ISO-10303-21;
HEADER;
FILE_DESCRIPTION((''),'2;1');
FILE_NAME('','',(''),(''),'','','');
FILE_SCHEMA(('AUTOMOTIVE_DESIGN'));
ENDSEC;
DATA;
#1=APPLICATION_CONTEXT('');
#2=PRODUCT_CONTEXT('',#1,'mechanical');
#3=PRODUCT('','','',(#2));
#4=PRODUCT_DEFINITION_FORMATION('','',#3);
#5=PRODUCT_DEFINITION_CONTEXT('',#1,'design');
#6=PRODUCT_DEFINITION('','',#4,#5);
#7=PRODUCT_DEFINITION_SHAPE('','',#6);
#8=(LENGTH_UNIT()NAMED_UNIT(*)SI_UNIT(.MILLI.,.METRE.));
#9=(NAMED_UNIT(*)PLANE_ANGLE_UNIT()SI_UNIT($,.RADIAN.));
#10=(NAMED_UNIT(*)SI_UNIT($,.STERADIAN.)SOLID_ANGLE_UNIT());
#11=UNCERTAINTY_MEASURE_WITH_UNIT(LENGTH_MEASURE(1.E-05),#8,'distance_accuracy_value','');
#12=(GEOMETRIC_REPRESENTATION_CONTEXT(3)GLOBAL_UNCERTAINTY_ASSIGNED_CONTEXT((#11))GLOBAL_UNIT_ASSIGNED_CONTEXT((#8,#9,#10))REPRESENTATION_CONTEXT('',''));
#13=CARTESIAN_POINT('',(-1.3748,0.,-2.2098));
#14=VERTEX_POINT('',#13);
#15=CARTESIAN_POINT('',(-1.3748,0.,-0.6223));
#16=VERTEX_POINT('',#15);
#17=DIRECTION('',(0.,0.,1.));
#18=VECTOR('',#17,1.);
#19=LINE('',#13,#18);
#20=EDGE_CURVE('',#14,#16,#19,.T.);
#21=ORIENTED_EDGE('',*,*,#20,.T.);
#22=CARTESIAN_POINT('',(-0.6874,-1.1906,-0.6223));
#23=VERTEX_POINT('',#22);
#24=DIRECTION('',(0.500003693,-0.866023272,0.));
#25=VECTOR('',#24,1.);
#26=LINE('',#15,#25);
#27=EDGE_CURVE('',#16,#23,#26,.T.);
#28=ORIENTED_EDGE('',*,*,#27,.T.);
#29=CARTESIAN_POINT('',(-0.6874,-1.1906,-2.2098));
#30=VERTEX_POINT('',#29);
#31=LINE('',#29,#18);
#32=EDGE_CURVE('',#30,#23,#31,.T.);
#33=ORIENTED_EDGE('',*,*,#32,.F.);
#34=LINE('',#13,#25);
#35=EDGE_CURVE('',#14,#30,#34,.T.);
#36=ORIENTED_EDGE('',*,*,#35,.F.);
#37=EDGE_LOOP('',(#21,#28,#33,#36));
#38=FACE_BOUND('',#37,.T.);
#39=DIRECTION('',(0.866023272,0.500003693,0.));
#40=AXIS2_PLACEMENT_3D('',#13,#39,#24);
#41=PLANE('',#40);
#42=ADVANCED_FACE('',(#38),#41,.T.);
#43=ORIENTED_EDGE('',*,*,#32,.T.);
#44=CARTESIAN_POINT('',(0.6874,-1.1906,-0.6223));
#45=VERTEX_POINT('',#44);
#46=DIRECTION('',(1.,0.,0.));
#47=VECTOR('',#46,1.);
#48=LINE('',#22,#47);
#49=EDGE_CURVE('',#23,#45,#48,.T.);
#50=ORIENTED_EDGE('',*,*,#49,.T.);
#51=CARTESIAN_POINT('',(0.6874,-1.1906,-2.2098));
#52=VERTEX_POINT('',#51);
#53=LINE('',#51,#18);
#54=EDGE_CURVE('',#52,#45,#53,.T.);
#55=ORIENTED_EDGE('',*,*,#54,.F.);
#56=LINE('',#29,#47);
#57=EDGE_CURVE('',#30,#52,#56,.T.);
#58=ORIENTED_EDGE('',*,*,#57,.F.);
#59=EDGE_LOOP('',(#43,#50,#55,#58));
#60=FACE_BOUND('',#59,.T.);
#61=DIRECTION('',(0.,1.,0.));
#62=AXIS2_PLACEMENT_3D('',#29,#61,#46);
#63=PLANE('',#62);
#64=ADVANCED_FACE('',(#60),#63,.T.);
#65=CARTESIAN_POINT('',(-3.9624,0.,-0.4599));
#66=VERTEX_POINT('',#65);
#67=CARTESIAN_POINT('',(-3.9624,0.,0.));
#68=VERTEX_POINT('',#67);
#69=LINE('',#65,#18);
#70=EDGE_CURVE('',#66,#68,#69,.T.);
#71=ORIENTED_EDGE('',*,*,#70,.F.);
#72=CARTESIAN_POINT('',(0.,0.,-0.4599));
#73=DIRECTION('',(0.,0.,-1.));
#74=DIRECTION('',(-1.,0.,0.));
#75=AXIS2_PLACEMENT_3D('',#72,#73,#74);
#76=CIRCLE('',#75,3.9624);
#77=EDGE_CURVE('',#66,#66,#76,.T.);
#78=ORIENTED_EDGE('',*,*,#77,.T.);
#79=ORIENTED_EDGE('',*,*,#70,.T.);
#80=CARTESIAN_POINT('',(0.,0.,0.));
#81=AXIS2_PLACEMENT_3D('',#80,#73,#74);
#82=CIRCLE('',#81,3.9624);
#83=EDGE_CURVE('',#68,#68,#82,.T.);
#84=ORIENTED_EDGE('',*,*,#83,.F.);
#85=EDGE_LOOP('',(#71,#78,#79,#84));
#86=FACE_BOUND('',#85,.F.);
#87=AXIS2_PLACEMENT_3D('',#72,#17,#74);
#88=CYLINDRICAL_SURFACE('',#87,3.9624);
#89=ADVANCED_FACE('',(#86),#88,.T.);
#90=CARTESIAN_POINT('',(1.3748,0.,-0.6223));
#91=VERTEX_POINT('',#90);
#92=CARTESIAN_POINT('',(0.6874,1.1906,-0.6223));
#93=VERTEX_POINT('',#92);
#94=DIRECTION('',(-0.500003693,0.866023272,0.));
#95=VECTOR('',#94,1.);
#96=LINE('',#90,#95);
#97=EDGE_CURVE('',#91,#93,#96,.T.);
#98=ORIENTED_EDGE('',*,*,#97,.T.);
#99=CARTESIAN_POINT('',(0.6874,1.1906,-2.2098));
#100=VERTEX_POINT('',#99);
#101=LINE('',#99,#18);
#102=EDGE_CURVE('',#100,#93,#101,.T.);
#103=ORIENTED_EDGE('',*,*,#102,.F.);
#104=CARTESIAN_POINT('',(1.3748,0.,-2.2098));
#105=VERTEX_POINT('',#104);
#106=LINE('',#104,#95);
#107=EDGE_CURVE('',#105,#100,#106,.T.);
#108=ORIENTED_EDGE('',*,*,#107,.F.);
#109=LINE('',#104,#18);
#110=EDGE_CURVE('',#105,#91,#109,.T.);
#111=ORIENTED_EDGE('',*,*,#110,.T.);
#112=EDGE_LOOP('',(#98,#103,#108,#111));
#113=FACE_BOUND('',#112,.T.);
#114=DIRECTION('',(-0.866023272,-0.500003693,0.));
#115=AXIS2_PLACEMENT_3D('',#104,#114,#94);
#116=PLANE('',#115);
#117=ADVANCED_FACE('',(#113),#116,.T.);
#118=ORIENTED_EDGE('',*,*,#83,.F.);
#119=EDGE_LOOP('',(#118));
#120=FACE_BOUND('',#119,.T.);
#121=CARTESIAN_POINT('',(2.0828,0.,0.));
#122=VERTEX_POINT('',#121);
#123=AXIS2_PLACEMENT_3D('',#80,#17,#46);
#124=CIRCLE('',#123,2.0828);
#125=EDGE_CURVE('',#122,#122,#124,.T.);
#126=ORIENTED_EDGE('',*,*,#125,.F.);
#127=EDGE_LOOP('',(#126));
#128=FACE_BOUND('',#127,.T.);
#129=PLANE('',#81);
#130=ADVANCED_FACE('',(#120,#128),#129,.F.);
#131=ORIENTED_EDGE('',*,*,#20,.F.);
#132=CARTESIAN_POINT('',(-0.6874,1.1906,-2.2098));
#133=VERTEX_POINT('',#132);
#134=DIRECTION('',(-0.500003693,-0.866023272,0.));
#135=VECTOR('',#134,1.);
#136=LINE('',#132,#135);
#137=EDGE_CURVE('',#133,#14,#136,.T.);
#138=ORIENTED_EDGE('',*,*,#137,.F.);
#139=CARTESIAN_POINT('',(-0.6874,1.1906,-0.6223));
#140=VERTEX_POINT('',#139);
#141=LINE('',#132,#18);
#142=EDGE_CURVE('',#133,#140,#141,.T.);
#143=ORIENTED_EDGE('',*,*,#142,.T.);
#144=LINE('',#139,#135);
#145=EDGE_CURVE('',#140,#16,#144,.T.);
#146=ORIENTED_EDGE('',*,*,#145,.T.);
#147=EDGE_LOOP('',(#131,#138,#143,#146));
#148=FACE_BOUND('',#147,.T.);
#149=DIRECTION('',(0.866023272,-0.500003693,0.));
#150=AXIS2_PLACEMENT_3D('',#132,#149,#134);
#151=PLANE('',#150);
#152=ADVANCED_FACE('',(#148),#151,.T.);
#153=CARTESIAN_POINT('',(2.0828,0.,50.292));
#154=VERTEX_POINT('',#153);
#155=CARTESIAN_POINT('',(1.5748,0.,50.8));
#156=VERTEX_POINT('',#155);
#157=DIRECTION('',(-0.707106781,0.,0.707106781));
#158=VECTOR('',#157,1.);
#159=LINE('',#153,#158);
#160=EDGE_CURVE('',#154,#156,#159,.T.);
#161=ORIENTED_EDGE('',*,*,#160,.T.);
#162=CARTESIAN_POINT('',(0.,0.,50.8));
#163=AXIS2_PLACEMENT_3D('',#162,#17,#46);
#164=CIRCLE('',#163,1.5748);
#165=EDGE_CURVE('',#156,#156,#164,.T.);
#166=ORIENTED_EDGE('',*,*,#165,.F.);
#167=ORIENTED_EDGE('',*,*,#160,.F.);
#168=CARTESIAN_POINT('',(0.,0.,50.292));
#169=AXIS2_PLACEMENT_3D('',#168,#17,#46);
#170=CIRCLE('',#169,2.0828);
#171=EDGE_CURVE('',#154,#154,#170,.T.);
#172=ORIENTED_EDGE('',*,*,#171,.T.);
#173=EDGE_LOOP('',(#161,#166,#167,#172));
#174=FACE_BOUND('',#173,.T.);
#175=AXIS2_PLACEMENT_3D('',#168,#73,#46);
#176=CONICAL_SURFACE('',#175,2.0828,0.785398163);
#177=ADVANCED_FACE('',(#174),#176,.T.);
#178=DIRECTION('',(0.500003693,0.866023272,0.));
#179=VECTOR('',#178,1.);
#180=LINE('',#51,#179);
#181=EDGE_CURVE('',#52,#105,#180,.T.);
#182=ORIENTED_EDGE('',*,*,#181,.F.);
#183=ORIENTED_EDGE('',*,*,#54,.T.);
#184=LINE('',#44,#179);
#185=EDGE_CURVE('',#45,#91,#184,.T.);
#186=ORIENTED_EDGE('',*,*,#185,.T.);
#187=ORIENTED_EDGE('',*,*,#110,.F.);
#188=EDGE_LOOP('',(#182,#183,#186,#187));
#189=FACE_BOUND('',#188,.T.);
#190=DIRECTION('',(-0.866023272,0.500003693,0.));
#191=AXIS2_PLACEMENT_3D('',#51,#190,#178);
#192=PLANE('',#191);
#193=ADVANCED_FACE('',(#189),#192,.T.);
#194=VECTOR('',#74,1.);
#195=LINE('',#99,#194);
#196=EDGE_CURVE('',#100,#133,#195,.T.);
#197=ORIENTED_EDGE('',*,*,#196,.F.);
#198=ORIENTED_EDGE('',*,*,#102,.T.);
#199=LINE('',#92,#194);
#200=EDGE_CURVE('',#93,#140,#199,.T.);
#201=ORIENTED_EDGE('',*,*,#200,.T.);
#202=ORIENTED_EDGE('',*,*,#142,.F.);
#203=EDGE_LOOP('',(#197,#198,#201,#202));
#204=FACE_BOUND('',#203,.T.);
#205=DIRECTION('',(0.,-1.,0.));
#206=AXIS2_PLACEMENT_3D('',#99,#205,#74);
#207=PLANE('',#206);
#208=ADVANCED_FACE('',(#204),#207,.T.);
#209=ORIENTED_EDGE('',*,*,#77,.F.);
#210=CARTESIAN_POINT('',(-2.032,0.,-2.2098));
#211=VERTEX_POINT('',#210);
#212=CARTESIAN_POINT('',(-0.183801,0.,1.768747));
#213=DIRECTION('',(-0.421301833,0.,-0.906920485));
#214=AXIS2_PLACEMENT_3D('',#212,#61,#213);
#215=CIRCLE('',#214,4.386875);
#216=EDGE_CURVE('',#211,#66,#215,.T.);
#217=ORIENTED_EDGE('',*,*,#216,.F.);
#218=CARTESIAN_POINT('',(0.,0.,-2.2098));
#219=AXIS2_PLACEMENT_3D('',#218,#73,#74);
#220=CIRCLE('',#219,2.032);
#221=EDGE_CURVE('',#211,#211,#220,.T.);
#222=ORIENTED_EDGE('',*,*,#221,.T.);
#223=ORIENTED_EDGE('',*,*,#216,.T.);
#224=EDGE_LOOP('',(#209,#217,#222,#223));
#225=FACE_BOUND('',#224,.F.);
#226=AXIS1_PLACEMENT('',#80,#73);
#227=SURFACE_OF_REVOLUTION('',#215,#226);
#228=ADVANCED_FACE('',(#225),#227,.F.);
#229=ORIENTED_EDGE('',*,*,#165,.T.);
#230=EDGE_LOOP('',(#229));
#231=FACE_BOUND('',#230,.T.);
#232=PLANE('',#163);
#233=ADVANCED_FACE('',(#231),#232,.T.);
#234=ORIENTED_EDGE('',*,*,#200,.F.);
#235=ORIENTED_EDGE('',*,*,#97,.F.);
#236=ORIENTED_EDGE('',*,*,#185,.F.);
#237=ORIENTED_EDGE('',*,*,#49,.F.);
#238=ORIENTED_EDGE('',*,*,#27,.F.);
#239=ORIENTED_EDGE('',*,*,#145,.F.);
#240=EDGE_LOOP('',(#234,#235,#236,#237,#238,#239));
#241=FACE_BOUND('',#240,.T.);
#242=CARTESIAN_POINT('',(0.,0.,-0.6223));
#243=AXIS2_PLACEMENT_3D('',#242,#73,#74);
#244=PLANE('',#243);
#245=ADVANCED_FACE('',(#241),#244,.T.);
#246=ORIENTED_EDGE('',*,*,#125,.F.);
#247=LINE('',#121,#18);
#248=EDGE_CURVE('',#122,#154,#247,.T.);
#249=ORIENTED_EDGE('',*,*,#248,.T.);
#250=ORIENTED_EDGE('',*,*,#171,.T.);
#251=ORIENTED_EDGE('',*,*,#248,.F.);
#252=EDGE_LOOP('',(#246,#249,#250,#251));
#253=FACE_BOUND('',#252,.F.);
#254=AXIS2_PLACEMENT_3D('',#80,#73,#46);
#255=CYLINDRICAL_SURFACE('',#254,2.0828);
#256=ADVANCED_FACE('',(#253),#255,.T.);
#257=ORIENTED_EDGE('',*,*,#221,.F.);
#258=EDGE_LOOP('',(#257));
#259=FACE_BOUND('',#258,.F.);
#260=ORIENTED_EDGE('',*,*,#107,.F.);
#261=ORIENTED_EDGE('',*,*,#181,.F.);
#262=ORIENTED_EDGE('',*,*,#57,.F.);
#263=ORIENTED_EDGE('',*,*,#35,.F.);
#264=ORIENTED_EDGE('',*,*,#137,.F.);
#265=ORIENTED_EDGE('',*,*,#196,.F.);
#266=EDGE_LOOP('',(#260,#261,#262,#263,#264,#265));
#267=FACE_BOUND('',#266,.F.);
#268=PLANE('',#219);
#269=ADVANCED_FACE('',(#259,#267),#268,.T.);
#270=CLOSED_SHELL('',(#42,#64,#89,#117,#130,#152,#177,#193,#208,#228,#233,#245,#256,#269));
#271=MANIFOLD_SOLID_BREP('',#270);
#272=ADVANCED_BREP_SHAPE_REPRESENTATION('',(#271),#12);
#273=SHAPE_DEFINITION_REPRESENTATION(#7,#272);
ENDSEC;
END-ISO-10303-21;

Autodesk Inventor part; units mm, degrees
ref_plane "YZ Plane" through (0, 0, 0) normal (1, 0, 0) x (0, 1, 0)
ref_plane "XZ Plane" through (0, 0, 0) normal (0, 1, 0) x (-1, 0, 0)
ref_plane "XY Plane" through (0, 0, 0) normal (0, 0, 1) x (1, 0, 0)
sketch "Sketch1" plane through (0, 0, 0) normal (0, 0, 1) x (1, 0, 0)
  circle A0 centre (0, 0) radius 2.0828
  dimension "d0" = 4.1656
extrude "Extrusion1" add sketch "Sketch1" along normal blind 50.8
sketch "Sketch2" plane through (0, 0, 0) normal (0, 1, 0) x (-1, 0, 0)
  line L0 (0, 0) -> (0, -2.2098)
  line L1 (0, 0) -> (3.9624, 0)
  line L2 (0, -2.2098) -> (2.032, -2.2098)
  line L3 (3.9624, 0) -> (3.9624, 3.6562) construction
  arc A0 (2.032, -2.2098) -> (3.9624, -0.4599) centre (0.1837, 1.7689) ccw
  line L4 (4.5847, 0.6553) -> (4.5847, -0.2608) construction
  line L5 (3.9624, -0.4599) -> (3.9624, 0)
  dimension "d3" = 2.2098
  dimension "d6" = 2.032
  dimension "d19" = 3.9624
revolve "Revolution1" add sketch "Sketch2" angle 360 about axis through (0, 0, 0) along (0, 0, -1)
sketch "Sketch3" plane through (0, 0, -2.2098) normal (0, 0, -1) x (-1, 0, 0)
  circle A0 centre (0, 0) radius 2.032 projected
  line L0 (-0.6874, 1.1906) -> (0.6874, 1.1906)
  line L1 (0.6874, 1.1906) -> (1.3748, 0)
  line L2 (1.3748, 0) -> (0.6874, -1.1906)
  line L3 (0.6874, -1.1906) -> (-0.6874, -1.1906)
  line L4 (-0.6874, -1.1906) -> (-1.3748, 0)
  line L5 (-1.3748, 0) -> (-0.6874, 1.1906)
  dimension "d8" = 2.3813
extrude "Extrusion2" cut sketch "Sketch3" against normal blind 1.5875 contours L0 L1 L2 L3 L4 L5
chamfer "Chamfer1" distance 0.508 angle 45 1 edges at (-2.0828, 0, 50.8)
thread "Thread1" size "8-32 UNC" class "2A" standard "ANSI Unified Screw Threads" length 25.4
properties part number "10-32 x500 button head" material "Aluminum 6061"
